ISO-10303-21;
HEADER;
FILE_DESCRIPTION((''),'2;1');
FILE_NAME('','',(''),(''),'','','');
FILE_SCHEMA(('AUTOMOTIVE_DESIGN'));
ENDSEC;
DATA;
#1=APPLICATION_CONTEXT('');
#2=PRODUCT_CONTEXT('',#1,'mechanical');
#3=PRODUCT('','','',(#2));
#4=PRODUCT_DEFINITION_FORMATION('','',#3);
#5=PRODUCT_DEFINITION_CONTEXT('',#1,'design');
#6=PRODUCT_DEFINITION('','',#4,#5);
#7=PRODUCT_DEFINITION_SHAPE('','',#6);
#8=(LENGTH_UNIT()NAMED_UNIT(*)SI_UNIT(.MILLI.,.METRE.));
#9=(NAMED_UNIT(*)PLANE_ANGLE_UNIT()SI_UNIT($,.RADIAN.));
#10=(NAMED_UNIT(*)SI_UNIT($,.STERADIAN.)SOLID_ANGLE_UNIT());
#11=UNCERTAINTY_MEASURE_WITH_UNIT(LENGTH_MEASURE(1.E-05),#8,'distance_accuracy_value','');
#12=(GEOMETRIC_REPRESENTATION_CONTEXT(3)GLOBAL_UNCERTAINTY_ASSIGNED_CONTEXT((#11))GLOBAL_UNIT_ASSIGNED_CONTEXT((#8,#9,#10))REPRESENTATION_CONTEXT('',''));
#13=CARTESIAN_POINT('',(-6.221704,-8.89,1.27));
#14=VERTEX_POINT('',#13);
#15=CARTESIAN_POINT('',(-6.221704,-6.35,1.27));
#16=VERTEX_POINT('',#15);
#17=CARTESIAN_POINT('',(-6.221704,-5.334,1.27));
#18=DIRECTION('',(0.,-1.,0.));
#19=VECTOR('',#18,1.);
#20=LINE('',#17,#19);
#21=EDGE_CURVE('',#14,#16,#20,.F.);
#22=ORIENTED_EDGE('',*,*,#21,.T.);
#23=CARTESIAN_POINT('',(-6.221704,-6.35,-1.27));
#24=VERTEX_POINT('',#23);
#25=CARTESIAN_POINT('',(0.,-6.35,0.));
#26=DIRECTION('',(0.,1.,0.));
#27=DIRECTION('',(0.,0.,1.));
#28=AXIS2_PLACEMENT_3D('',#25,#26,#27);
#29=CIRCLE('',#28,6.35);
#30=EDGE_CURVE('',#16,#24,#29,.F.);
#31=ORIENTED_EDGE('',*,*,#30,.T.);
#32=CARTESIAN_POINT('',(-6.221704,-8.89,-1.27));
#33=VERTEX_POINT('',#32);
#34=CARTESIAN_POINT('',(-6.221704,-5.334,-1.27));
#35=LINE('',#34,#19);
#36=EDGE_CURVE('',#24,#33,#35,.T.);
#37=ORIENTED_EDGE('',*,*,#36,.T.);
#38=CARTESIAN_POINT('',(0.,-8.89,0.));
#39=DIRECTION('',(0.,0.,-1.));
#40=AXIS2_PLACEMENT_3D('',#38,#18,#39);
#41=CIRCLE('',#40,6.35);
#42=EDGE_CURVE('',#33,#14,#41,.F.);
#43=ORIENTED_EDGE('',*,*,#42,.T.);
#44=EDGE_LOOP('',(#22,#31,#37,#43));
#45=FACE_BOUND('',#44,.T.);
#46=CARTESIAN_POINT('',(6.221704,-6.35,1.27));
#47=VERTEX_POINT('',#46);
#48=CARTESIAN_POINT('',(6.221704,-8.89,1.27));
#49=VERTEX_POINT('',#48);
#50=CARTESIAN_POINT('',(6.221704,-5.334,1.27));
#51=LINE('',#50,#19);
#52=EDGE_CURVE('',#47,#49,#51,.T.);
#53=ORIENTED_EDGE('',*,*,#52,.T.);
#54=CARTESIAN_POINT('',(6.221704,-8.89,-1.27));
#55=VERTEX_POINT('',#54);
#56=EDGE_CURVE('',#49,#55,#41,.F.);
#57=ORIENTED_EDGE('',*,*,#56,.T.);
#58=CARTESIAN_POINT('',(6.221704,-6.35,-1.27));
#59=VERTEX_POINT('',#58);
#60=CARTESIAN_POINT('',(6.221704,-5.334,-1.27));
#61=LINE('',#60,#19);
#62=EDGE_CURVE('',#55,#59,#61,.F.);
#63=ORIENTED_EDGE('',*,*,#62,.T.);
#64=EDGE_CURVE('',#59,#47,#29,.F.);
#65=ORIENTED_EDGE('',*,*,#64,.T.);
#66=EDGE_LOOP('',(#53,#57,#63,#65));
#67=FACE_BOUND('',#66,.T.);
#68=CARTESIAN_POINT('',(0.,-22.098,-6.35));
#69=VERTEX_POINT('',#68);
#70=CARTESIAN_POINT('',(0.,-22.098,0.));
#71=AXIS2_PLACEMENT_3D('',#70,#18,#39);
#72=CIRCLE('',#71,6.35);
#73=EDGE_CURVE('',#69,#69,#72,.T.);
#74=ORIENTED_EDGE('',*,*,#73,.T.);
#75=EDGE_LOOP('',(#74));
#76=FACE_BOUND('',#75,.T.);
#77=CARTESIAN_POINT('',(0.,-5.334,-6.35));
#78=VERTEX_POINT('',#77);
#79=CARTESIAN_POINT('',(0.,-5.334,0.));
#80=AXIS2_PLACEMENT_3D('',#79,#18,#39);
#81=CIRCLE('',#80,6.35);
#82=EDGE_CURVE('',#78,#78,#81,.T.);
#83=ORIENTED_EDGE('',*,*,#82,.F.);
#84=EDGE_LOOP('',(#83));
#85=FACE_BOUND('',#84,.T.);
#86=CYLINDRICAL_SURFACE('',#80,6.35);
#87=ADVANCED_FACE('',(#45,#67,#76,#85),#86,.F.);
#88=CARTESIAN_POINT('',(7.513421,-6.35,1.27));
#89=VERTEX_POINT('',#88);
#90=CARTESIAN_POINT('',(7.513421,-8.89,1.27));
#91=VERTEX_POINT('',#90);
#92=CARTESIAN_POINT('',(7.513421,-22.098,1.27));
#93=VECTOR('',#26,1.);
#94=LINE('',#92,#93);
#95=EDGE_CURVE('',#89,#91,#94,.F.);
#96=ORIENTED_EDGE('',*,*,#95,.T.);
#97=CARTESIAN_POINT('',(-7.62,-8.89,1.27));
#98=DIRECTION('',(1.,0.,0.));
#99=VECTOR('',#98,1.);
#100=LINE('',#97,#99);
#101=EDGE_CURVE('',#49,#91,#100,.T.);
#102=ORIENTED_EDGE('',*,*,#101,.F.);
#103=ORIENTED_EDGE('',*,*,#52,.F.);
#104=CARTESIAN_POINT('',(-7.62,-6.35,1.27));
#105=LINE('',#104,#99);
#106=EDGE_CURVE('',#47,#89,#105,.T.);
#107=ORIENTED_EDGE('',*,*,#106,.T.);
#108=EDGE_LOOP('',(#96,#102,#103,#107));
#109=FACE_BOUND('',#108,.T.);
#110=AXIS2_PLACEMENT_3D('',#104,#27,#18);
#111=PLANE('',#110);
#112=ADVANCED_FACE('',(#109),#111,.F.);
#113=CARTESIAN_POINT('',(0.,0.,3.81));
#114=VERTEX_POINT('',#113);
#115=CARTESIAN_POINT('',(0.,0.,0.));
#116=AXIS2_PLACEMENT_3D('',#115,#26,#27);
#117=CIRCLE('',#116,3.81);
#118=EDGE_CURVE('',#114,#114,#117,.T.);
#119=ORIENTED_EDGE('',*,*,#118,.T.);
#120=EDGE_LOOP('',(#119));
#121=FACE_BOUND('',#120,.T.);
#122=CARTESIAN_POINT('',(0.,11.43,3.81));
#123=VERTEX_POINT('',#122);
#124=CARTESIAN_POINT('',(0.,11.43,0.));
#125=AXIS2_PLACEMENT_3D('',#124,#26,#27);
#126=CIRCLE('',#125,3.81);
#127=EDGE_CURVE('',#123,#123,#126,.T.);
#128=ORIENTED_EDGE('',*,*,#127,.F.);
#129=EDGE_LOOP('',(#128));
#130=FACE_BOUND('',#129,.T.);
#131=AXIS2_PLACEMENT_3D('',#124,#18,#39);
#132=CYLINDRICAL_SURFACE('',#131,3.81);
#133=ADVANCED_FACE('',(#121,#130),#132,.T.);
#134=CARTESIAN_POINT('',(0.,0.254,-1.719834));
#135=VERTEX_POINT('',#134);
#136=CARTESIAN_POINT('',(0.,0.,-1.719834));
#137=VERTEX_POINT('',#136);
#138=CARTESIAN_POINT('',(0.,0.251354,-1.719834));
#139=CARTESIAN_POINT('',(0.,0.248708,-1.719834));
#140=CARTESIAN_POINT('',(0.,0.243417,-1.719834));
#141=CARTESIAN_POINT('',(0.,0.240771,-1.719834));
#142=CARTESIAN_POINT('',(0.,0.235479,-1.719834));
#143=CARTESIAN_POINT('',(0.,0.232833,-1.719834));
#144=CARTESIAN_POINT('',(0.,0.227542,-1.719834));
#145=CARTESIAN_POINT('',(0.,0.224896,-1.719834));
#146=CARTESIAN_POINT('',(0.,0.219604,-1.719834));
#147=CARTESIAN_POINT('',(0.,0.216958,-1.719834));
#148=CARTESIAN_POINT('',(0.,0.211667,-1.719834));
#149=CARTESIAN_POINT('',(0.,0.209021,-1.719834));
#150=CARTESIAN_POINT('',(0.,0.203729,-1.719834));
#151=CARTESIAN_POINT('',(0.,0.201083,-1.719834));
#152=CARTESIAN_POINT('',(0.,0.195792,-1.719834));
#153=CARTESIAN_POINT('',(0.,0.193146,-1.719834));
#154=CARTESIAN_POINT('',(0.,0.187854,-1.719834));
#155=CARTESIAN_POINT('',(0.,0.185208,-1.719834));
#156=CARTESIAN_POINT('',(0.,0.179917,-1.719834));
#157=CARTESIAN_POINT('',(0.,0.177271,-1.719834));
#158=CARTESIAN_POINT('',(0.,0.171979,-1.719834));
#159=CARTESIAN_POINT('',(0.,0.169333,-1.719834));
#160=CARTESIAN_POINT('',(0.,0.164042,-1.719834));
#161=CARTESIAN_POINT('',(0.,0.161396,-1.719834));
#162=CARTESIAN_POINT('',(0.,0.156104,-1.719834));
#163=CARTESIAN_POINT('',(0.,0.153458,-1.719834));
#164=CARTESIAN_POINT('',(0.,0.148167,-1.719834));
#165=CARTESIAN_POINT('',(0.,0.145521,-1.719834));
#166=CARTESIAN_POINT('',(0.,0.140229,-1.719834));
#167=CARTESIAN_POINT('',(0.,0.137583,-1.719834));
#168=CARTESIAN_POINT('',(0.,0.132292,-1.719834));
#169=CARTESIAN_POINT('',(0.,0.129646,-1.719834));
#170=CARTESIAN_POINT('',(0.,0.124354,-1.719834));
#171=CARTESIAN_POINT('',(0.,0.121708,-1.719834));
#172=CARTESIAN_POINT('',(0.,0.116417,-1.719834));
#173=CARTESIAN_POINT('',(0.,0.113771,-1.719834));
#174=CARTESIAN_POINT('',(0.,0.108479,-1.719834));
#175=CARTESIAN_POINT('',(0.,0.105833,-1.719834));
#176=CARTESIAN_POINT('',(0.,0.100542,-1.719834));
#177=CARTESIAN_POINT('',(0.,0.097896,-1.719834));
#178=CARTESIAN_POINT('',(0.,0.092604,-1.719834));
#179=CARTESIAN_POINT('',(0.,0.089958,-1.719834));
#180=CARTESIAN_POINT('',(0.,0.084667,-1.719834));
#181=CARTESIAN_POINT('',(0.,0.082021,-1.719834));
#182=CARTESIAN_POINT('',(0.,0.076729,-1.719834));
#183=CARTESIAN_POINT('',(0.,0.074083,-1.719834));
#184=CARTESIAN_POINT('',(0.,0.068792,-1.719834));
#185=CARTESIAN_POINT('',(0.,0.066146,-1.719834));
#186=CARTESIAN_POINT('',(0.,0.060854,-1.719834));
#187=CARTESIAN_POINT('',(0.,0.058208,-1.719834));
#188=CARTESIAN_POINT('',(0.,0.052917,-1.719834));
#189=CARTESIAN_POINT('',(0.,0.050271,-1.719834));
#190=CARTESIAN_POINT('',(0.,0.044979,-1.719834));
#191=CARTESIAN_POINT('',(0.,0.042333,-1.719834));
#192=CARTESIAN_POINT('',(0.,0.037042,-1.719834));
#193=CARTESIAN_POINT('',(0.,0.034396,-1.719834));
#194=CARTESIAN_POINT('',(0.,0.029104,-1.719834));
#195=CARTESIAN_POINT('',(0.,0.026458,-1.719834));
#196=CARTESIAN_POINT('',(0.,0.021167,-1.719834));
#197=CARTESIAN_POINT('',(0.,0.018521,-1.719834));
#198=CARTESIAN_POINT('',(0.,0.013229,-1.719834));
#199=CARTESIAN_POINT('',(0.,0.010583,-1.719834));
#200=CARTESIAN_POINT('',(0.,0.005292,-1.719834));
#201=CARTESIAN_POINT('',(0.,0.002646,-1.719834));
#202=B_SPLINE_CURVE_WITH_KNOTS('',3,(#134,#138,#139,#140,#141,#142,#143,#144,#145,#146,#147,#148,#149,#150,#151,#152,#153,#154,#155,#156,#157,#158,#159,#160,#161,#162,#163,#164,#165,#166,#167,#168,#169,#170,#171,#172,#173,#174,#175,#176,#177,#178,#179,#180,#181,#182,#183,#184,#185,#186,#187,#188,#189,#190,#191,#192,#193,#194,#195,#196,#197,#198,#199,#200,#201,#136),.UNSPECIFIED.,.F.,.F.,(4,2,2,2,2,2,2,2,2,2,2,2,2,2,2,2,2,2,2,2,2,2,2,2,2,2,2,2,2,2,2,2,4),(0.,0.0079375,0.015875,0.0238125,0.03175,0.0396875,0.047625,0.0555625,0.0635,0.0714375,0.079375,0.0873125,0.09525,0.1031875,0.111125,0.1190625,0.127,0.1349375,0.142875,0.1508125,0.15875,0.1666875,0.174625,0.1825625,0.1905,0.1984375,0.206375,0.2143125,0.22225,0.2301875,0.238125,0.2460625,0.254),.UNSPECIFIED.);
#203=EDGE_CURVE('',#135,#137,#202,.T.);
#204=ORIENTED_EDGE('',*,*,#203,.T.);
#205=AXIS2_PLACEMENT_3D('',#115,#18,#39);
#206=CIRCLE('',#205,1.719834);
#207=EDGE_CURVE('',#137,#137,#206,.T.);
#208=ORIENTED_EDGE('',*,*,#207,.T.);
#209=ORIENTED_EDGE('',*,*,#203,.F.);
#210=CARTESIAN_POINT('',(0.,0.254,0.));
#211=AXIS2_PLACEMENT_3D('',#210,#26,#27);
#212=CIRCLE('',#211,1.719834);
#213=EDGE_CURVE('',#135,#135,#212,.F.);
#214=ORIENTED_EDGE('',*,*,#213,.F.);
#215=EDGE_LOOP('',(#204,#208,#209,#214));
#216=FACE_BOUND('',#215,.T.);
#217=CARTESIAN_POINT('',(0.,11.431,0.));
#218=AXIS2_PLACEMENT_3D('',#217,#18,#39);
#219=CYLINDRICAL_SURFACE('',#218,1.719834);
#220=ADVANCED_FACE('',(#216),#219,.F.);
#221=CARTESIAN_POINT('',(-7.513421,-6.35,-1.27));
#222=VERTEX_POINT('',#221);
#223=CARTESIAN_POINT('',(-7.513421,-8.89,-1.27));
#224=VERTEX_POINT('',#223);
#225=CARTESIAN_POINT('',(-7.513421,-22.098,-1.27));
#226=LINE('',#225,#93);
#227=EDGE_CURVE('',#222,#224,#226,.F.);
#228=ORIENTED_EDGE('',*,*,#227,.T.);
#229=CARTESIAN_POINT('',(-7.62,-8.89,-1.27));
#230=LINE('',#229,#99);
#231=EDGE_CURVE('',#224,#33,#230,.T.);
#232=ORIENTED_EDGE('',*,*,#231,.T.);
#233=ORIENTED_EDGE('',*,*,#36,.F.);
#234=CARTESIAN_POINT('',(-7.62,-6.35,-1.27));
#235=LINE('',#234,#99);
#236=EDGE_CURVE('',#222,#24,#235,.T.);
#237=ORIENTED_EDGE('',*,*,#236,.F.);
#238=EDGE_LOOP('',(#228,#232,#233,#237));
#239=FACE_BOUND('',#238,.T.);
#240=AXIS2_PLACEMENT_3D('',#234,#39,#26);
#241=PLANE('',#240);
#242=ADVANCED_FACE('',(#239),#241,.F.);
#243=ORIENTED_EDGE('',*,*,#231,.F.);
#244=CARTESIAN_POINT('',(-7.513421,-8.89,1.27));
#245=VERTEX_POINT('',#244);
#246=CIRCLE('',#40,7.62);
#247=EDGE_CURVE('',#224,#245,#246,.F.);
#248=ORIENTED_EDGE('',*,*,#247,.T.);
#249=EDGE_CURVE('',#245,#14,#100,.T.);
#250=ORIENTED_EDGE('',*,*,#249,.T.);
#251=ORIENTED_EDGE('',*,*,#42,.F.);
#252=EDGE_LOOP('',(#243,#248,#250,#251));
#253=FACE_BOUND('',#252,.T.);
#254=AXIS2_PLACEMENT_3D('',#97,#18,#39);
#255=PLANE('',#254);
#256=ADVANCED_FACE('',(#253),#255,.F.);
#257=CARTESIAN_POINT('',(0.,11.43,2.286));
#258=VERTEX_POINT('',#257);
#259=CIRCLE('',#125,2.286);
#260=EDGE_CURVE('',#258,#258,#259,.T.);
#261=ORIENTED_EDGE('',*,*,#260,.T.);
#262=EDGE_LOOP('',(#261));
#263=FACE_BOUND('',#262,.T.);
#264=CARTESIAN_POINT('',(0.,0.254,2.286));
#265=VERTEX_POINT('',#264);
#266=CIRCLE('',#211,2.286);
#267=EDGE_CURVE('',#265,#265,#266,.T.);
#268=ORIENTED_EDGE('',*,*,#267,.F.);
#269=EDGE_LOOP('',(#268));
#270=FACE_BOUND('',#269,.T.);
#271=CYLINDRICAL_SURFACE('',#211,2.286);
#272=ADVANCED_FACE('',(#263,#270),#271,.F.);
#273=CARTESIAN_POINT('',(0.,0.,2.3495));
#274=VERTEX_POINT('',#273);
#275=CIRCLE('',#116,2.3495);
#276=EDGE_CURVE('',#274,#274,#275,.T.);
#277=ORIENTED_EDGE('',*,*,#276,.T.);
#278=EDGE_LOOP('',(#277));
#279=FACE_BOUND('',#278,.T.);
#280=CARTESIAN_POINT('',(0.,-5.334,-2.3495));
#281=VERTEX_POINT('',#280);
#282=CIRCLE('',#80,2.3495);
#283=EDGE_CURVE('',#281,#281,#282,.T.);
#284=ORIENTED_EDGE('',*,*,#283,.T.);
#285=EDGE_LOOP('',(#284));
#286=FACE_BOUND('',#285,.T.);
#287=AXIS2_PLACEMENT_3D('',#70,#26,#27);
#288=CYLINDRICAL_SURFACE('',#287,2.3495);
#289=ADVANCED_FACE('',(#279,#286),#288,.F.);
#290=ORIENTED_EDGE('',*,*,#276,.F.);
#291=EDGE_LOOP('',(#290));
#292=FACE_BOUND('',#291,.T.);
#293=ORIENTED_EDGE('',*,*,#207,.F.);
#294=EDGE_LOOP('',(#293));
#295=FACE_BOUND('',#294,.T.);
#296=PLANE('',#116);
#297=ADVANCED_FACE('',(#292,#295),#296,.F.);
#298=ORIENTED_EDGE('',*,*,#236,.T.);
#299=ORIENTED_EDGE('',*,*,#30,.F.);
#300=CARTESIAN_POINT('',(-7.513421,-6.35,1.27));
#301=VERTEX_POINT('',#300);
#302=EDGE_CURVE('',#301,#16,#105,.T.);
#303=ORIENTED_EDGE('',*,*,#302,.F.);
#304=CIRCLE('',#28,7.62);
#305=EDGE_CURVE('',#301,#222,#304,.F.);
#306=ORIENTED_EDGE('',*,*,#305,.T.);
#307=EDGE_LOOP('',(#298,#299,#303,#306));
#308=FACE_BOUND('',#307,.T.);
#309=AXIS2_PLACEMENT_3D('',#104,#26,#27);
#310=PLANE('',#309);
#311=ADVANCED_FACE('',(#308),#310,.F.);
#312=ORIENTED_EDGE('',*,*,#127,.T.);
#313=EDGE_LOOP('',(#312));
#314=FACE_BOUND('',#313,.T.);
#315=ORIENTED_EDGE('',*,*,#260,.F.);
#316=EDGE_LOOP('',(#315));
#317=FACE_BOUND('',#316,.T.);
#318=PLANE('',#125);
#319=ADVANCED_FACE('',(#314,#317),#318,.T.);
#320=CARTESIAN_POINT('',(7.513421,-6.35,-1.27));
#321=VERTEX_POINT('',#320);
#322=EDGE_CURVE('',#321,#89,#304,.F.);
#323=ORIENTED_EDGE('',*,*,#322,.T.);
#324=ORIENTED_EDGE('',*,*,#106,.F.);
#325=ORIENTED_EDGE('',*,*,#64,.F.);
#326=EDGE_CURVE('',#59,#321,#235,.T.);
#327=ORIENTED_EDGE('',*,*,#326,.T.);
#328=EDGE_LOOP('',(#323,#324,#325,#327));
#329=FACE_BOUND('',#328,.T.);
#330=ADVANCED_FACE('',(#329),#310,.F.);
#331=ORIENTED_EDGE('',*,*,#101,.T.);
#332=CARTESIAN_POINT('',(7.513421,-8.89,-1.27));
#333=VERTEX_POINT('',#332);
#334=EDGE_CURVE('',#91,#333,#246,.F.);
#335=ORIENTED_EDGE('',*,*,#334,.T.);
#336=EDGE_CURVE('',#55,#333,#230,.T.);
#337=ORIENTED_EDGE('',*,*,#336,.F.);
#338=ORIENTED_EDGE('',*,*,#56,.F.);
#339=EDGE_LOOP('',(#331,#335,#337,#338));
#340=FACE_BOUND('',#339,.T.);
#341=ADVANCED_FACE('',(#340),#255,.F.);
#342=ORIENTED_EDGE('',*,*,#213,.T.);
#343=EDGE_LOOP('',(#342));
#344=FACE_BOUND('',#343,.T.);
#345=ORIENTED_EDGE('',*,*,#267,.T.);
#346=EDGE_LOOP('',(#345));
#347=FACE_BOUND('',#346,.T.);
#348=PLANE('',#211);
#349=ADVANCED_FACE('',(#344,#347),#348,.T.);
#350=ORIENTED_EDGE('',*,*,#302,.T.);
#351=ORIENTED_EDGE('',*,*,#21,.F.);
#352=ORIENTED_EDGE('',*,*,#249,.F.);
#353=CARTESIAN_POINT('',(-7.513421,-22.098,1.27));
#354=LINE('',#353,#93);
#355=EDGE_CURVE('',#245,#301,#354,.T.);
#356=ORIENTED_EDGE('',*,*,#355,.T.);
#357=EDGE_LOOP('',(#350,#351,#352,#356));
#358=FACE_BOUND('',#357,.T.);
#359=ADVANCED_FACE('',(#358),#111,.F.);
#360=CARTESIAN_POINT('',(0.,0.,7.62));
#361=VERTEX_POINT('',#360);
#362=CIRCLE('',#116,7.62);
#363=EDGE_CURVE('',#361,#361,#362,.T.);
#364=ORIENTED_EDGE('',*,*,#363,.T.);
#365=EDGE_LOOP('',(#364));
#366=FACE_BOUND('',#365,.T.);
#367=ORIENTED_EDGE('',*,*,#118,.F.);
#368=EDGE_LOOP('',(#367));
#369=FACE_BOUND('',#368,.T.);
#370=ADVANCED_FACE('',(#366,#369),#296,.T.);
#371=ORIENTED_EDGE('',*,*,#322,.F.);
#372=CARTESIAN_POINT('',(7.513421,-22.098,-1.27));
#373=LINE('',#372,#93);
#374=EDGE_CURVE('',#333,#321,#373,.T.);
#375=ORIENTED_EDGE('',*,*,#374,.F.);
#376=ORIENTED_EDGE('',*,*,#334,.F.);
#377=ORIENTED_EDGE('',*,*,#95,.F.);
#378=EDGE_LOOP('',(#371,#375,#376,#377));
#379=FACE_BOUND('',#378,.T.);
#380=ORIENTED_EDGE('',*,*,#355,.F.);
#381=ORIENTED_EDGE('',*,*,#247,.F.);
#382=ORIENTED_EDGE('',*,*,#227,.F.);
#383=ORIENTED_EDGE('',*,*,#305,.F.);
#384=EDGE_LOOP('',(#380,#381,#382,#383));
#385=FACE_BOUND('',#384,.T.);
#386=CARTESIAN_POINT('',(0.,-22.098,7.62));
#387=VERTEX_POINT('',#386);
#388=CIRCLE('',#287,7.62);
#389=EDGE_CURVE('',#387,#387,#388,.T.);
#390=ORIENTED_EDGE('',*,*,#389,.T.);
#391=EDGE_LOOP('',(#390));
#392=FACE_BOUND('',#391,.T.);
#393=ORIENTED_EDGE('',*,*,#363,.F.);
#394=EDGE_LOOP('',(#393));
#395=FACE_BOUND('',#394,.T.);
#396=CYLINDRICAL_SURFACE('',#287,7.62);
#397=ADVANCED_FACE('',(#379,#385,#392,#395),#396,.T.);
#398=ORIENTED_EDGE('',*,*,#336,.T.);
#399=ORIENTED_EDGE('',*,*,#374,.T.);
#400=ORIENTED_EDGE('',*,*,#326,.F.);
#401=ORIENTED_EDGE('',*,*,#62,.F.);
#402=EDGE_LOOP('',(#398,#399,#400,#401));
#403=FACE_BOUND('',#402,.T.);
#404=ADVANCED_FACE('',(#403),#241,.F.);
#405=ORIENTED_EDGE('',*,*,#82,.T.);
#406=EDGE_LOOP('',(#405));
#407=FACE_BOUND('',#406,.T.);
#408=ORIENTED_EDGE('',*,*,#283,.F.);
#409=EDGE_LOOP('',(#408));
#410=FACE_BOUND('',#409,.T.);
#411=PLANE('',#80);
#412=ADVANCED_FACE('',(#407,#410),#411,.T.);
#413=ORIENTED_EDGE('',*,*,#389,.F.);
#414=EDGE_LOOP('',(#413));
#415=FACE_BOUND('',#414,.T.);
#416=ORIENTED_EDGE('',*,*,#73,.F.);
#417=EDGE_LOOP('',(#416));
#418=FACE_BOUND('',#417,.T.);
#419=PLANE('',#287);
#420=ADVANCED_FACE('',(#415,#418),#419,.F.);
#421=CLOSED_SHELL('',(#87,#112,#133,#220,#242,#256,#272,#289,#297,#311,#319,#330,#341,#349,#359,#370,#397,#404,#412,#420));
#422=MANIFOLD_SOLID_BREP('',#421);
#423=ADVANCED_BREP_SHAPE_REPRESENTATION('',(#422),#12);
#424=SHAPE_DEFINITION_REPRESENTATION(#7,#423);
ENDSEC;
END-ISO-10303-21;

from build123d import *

# Parameters (mm, degrees)
SKETCH2_R                = 7.62
BOSS_EXTRUDE1_DEPTH      = 22.098
SKETCH3_R                = 6.35
CUT_EXTRUDE1_DEPTH       = 16.764
CUT_EXTRUDE3_DEPTH       = 16.764
CUT_EXTRUDE3_DEPTH_BACK  = 25.585573087
SKETCH5_R                = 2.3495
SKETCH6_R                = 3.81
BOSS_EXTRUDE2_DEPTH      = 11.43
SKETCH8_R                = 2.286
CUT_EXTRUDE4_DEPTH       = 11.176
CUT_EXTRUDE8_REACH       = 26.586
SKETCH10_R               = 1.719833609
CUT_EXTRUDE10_DEPTH      = 25.585573087
CUT_EXTRUDE10_DEPTH_BACK = 25.585573087
SKETCH12_W               = 2.54
SKETCH12_H               = 2.54


with BuildPart() as part:
    # Sketch2 → Boss-Extrude1 (new body)
    with BuildSketch(Plane(origin=(0, 0, 0), x_dir=(1, 0, 0), z_dir=(0, 1, 0))):
        with Locations(Location((0, 0, 0), (0, 0, 270))):
            Circle(SKETCH2_R)
    extrude(amount=-BOSS_EXTRUDE1_DEPTH)

    # Sketch3 → Cut-Extrude1 (cut)
    with BuildSketch(Plane.XZ.offset(22.098)):
        with Locations(Location((0, 0, 0), (0, 0, 270))):
            Circle(SKETCH3_R)
    extrude(amount=-CUT_EXTRUDE1_DEPTH, mode=Mode.SUBTRACT)

    # Sketch5 → Cut-Extrude3 (cut, two sides: drawn at the far end of the back side and taken through both)
    with BuildSketch(Plane(origin=(0, 0, 0), x_dir=(1, 0, 0), z_dir=(0, 1, 0)).offset(-CUT_EXTRUDE3_DEPTH_BACK)):
        with Locations(Location((0, 0, 0), (0, 0, 270))):
            Circle(SKETCH5_R)
    extrude(amount=CUT_EXTRUDE3_DEPTH + CUT_EXTRUDE3_DEPTH_BACK, mode=Mode.SUBTRACT)

    # Sketch6 → Boss-Extrude2 (add)
    with BuildSketch(Plane(origin=(0, 0, 0), x_dir=(1, 0, 0), z_dir=(0, 1, 0))):
        with Locations(Location((0, 0, 0), (0, 0, 270))):
            Circle(SKETCH6_R)
    extrude(amount=BOSS_EXTRUDE2_DEPTH)

    # Sketch8 → Cut-Extrude4 (cut)
    with BuildSketch(Plane(origin=(0, 11.43, 0), x_dir=(1, 0, 0), z_dir=(0, 1, 0))):
        with Locations(Location((0, 0, 0), (0, 0, 270))):
            Circle(SKETCH8_R)
    extrude(amount=-CUT_EXTRUDE4_DEPTH, mode=Mode.SUBTRACT)

    # Sketch10 → Cut-Extrude8 (cut, up to next)
    with BuildSketch(Plane.XZ, mode=Mode.PRIVATE) as cut_extrude8_sk1:
        with Locations(Location((0, 0, 0), (0, 0, 270))):
            Circle(SKETCH10_R)
    cut_extrude8_tool1 = extrude(cut_extrude8_sk1.sketch, amount=-CUT_EXTRUDE8_REACH, mode=Mode.PRIVATE) & part.part
    add(cut_extrude8_tool1.solids().sort_by_distance((0, 0, 0))[0], mode=Mode.SUBTRACT)

    # Sketch12 → Cut-Extrude10 (cut, two sides: drawn at the far end of the back side and taken through both)
    with BuildSketch(Plane(origin=(0, 0, 0), x_dir=(0, 0, -1), z_dir=(1, 0, 0)).offset(-CUT_EXTRUDE10_DEPTH_BACK)):
        with Locations((0, -7.62)):
            Rectangle(SKETCH12_W, SKETCH12_H)
    extrude(amount=CUT_EXTRUDE10_DEPTH + CUT_EXTRUDE10_DEPTH_BACK, mode=Mode.SUBTRACT)


solid = part.part
